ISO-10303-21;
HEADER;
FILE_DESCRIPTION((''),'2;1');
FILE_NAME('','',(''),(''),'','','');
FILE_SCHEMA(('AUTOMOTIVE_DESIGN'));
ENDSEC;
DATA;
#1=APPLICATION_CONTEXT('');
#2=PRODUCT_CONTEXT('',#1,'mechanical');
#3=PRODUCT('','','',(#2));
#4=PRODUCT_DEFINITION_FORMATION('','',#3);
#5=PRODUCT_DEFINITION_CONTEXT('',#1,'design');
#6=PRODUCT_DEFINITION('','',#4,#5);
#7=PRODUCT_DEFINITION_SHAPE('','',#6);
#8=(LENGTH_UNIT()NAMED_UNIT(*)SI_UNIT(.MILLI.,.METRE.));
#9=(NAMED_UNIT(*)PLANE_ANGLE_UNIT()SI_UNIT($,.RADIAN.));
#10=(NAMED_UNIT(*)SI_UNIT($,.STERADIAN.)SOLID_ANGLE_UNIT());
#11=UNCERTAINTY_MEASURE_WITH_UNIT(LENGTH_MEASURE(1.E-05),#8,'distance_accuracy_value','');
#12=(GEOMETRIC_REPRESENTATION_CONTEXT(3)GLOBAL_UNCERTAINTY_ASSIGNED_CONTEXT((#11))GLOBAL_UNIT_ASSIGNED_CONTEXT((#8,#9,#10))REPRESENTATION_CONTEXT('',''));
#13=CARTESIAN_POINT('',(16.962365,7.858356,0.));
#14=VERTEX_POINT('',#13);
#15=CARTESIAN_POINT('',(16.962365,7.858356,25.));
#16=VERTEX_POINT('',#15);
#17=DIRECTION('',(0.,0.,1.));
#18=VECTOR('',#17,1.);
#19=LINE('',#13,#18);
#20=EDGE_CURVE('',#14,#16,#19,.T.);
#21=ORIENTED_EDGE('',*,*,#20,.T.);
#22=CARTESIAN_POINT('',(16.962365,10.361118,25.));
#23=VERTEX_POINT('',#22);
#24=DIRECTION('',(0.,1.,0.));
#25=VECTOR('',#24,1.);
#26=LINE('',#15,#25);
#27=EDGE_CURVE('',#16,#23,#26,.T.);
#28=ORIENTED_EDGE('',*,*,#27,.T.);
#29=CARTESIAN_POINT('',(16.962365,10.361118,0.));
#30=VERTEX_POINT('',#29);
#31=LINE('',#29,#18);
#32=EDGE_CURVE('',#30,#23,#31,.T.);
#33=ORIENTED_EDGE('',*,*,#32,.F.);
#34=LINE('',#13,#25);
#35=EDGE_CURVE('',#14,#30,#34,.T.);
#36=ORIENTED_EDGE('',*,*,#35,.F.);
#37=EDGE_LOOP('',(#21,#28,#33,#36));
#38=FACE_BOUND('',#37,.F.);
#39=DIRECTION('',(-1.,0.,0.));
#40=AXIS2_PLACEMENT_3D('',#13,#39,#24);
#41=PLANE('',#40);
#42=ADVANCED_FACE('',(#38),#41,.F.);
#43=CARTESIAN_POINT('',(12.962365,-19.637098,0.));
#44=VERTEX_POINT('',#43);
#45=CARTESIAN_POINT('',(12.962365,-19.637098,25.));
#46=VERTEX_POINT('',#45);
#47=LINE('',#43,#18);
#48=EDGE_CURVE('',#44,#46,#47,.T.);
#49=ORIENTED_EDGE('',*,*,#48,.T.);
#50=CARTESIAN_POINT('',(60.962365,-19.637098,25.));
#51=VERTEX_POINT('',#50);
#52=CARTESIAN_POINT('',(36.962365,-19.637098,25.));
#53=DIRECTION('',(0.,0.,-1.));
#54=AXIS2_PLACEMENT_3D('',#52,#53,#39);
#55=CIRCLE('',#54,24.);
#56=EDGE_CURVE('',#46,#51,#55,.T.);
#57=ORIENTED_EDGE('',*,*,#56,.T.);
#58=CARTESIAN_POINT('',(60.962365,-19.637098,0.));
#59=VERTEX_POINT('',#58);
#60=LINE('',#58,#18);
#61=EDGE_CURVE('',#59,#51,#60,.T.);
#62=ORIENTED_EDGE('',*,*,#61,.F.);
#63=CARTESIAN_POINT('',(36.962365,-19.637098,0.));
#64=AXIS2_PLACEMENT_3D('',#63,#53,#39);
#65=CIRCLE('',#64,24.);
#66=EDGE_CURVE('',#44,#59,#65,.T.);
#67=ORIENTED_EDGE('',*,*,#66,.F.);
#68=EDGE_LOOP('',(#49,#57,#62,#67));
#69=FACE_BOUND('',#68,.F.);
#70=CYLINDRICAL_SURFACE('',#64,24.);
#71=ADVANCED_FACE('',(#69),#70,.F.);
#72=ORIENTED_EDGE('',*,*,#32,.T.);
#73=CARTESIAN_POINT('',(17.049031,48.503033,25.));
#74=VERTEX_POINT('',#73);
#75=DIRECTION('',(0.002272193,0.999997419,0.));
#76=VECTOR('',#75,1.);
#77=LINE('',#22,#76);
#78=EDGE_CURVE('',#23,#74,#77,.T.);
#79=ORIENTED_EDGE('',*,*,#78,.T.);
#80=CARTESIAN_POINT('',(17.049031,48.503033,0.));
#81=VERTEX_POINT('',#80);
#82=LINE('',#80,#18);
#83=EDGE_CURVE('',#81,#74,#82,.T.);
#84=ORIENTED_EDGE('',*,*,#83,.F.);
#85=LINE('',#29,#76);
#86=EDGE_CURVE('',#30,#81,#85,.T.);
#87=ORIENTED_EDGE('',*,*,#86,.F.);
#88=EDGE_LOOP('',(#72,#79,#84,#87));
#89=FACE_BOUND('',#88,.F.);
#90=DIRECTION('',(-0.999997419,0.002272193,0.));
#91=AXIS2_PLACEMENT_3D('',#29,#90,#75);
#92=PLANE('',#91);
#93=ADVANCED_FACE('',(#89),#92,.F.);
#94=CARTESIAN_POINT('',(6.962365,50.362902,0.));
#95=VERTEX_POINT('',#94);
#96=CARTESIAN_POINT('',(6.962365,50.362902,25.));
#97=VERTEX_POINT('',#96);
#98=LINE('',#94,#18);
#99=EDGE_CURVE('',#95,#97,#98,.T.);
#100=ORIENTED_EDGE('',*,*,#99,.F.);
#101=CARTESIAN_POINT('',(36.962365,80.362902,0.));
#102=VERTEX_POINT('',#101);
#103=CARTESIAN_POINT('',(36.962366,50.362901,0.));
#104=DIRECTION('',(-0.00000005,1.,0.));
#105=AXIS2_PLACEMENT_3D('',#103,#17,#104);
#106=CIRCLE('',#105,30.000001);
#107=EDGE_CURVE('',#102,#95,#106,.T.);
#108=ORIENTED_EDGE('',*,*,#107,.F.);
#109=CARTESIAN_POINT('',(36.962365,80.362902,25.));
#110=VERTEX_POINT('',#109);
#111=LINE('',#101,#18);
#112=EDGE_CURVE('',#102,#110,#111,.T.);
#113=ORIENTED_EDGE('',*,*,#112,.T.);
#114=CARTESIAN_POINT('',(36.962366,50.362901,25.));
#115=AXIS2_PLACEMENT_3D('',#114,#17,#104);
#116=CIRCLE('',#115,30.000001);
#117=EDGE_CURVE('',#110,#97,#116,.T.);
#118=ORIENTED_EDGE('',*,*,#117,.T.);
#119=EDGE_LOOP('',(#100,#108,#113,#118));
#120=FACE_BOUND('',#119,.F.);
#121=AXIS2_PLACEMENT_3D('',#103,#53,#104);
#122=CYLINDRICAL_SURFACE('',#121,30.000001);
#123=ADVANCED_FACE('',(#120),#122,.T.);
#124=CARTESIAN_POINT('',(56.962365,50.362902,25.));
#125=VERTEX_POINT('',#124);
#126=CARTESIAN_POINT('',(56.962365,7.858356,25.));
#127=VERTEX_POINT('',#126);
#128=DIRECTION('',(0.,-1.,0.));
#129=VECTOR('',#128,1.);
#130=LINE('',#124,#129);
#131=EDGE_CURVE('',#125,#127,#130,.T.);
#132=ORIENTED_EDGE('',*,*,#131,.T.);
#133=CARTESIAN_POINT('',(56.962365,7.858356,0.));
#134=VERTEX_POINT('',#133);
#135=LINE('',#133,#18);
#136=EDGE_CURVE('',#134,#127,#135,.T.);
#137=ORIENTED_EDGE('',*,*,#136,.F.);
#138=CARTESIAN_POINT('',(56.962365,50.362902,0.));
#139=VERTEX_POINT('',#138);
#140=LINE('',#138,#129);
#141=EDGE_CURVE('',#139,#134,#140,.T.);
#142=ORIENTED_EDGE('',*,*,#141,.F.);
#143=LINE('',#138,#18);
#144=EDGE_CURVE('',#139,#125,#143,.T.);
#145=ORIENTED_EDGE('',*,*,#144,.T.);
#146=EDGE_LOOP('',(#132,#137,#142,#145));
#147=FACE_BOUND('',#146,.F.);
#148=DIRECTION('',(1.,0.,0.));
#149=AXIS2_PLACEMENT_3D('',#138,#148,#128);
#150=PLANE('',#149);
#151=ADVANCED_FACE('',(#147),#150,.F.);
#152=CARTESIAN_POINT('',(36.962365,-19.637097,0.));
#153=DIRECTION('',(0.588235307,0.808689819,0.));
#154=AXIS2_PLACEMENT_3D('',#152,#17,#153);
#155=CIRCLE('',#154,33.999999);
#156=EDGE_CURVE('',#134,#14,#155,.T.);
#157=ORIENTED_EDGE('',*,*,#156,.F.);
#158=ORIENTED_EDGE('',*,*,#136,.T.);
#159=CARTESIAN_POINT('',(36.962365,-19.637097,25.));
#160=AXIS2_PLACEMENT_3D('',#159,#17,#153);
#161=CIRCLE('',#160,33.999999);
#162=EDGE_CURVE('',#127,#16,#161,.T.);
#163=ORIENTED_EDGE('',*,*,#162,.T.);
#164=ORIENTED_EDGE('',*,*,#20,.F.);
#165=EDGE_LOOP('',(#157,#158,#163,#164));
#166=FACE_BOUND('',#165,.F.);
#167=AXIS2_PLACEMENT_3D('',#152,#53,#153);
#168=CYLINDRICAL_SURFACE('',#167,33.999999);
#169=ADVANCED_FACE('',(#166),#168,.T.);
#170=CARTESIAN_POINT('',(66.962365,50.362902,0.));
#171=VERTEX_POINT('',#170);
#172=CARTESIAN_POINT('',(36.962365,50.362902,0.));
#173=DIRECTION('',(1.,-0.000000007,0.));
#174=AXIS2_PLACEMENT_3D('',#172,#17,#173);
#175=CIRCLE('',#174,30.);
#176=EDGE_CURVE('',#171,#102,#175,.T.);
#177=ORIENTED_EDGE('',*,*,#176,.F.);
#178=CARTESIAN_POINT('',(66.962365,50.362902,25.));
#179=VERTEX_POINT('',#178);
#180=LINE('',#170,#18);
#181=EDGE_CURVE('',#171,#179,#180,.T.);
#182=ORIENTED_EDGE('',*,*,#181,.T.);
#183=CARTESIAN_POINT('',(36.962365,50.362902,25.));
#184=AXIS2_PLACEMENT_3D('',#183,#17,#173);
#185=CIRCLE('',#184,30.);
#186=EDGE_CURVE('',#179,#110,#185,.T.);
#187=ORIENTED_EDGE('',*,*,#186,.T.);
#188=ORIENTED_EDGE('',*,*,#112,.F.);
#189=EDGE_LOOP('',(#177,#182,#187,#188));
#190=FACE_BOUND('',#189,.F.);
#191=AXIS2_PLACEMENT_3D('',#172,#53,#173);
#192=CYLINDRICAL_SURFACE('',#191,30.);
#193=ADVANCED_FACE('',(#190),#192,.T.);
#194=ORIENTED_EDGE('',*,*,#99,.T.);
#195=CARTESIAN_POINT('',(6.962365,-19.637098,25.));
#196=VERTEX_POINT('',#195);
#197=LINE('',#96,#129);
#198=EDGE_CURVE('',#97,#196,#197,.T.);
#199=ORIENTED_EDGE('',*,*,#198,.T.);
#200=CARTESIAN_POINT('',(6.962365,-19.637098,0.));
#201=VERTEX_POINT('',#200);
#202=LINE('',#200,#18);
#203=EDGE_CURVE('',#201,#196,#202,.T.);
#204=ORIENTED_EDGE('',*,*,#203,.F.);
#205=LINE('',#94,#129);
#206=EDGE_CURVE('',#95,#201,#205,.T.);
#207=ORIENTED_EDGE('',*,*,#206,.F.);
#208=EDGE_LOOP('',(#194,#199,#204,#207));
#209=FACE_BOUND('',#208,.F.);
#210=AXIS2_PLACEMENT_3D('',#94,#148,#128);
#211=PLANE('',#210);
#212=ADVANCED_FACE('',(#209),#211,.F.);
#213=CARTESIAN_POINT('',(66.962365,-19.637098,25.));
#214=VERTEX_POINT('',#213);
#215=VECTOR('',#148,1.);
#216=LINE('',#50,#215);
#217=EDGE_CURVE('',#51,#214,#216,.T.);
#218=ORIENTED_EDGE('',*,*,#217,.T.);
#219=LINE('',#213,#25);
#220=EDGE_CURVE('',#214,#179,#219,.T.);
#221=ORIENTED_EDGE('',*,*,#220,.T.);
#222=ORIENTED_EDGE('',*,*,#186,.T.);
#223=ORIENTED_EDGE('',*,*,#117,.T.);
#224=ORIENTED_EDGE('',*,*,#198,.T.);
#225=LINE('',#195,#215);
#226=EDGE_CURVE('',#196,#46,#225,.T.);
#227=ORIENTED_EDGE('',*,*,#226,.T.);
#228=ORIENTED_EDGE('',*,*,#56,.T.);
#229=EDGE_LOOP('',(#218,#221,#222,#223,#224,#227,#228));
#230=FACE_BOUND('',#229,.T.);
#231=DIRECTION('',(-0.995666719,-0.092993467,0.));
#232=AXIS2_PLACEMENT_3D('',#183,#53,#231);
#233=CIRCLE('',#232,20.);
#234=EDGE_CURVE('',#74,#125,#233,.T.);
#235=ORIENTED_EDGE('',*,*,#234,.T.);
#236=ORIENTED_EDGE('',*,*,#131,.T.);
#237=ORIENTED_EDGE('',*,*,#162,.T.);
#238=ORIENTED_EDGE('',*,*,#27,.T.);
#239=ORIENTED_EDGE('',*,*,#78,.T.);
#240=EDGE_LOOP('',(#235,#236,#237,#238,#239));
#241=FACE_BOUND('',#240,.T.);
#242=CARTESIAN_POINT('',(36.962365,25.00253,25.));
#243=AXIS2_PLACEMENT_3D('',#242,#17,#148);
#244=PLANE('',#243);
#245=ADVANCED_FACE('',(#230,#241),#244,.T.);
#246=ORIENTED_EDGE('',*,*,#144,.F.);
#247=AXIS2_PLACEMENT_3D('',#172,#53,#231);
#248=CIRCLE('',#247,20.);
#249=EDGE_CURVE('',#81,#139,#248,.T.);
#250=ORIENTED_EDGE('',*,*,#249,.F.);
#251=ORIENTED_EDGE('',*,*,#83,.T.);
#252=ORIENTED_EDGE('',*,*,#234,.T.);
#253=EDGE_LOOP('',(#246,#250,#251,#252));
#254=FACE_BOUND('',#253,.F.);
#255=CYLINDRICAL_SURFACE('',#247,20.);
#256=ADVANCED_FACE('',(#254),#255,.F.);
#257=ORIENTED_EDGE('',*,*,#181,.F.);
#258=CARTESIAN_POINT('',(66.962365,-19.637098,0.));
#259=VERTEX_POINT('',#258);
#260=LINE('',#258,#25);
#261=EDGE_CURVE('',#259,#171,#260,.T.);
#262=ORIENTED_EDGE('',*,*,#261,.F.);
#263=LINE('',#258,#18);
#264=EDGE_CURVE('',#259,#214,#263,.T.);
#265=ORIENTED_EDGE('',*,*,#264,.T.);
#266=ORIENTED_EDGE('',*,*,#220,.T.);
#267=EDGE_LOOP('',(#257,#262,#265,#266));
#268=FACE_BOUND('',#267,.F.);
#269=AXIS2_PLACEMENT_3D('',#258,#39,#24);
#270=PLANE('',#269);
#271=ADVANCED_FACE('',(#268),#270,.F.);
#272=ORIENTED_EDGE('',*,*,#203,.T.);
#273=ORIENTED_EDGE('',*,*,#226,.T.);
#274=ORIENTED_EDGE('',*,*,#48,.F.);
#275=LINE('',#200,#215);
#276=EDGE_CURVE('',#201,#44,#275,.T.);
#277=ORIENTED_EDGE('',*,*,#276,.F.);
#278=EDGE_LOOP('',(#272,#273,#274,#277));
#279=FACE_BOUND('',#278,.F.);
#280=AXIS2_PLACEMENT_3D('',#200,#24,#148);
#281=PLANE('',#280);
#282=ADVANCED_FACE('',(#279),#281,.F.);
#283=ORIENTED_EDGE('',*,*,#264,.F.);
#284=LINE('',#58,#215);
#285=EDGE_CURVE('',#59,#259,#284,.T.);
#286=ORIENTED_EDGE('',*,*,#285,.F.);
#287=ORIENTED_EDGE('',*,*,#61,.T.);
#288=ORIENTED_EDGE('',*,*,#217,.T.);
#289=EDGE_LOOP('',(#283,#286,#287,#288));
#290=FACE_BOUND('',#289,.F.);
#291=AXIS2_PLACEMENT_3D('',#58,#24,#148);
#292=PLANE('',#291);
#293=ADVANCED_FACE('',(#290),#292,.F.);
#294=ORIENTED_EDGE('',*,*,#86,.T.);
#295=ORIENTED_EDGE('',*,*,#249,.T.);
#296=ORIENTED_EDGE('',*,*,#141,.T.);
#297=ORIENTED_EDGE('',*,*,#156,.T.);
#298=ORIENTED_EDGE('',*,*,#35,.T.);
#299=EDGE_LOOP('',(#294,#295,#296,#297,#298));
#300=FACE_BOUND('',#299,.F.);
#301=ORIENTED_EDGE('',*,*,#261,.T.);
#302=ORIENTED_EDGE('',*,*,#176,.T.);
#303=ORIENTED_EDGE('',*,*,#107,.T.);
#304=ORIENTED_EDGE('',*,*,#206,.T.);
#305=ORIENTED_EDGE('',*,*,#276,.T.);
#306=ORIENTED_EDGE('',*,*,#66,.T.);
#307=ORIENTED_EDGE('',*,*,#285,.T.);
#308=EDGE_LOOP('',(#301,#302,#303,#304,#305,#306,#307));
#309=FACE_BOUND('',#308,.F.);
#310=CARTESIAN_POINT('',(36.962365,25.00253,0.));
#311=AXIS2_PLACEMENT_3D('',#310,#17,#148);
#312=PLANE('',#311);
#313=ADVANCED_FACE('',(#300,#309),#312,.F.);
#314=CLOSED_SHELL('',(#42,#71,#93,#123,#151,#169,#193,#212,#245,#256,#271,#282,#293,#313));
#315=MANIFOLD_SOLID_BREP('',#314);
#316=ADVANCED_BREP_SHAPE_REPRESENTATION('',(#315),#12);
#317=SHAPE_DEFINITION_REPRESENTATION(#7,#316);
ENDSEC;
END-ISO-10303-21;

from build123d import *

# Parameters (mm, degrees)
F1_DEPTH = 25


with BuildPart() as f1:
    # F0 (on Top) → F1 (new body)
    with BuildSketch(Plane.XY):
        with BuildLine():
            Line((60.962365, -19.637098), (66.962365, -19.637098))
            Line((66.962365, -19.637098), (66.962365, 50.362902))
            ThreePointArc((66.962365, 50.362902), (58.175569, 71.576105), (36.962365, 80.362902))
            ThreePointArc((36.962365, 80.362902), (15.749162, 71.576105), (6.962365, 50.362902))
            Line((6.962365, 50.362902), (6.962365, -19.637098))
            Line((6.962365, -19.637098), (12.962365, -19.637098))
            ThreePointArc((12.962365, -19.637098), (36.962365, 4.362902), (60.962365, -19.637098))
        make_face()
        with BuildLine():
            Line((56.962365, 18.064654), (56.962365, 7.858356))
            ThreePointArc((56.962365, 7.858356), (36.962365, 14.362902), (16.962365, 7.858356))
            Line((16.962365, 7.858356), (16.962365, 10.361118))
            Line((16.962365, 10.361118), (17.049031, 48.503033))
            ThreePointArc((17.049031, 48.503033), (36.031422, 70.341224), (56.962365, 50.362902))
            Line((56.962365, 50.362902), (56.962365, 18.064654))
        make_face(mode=Mode.SUBTRACT)
    extrude(amount=F1_DEPTH)


solid = f1.part
